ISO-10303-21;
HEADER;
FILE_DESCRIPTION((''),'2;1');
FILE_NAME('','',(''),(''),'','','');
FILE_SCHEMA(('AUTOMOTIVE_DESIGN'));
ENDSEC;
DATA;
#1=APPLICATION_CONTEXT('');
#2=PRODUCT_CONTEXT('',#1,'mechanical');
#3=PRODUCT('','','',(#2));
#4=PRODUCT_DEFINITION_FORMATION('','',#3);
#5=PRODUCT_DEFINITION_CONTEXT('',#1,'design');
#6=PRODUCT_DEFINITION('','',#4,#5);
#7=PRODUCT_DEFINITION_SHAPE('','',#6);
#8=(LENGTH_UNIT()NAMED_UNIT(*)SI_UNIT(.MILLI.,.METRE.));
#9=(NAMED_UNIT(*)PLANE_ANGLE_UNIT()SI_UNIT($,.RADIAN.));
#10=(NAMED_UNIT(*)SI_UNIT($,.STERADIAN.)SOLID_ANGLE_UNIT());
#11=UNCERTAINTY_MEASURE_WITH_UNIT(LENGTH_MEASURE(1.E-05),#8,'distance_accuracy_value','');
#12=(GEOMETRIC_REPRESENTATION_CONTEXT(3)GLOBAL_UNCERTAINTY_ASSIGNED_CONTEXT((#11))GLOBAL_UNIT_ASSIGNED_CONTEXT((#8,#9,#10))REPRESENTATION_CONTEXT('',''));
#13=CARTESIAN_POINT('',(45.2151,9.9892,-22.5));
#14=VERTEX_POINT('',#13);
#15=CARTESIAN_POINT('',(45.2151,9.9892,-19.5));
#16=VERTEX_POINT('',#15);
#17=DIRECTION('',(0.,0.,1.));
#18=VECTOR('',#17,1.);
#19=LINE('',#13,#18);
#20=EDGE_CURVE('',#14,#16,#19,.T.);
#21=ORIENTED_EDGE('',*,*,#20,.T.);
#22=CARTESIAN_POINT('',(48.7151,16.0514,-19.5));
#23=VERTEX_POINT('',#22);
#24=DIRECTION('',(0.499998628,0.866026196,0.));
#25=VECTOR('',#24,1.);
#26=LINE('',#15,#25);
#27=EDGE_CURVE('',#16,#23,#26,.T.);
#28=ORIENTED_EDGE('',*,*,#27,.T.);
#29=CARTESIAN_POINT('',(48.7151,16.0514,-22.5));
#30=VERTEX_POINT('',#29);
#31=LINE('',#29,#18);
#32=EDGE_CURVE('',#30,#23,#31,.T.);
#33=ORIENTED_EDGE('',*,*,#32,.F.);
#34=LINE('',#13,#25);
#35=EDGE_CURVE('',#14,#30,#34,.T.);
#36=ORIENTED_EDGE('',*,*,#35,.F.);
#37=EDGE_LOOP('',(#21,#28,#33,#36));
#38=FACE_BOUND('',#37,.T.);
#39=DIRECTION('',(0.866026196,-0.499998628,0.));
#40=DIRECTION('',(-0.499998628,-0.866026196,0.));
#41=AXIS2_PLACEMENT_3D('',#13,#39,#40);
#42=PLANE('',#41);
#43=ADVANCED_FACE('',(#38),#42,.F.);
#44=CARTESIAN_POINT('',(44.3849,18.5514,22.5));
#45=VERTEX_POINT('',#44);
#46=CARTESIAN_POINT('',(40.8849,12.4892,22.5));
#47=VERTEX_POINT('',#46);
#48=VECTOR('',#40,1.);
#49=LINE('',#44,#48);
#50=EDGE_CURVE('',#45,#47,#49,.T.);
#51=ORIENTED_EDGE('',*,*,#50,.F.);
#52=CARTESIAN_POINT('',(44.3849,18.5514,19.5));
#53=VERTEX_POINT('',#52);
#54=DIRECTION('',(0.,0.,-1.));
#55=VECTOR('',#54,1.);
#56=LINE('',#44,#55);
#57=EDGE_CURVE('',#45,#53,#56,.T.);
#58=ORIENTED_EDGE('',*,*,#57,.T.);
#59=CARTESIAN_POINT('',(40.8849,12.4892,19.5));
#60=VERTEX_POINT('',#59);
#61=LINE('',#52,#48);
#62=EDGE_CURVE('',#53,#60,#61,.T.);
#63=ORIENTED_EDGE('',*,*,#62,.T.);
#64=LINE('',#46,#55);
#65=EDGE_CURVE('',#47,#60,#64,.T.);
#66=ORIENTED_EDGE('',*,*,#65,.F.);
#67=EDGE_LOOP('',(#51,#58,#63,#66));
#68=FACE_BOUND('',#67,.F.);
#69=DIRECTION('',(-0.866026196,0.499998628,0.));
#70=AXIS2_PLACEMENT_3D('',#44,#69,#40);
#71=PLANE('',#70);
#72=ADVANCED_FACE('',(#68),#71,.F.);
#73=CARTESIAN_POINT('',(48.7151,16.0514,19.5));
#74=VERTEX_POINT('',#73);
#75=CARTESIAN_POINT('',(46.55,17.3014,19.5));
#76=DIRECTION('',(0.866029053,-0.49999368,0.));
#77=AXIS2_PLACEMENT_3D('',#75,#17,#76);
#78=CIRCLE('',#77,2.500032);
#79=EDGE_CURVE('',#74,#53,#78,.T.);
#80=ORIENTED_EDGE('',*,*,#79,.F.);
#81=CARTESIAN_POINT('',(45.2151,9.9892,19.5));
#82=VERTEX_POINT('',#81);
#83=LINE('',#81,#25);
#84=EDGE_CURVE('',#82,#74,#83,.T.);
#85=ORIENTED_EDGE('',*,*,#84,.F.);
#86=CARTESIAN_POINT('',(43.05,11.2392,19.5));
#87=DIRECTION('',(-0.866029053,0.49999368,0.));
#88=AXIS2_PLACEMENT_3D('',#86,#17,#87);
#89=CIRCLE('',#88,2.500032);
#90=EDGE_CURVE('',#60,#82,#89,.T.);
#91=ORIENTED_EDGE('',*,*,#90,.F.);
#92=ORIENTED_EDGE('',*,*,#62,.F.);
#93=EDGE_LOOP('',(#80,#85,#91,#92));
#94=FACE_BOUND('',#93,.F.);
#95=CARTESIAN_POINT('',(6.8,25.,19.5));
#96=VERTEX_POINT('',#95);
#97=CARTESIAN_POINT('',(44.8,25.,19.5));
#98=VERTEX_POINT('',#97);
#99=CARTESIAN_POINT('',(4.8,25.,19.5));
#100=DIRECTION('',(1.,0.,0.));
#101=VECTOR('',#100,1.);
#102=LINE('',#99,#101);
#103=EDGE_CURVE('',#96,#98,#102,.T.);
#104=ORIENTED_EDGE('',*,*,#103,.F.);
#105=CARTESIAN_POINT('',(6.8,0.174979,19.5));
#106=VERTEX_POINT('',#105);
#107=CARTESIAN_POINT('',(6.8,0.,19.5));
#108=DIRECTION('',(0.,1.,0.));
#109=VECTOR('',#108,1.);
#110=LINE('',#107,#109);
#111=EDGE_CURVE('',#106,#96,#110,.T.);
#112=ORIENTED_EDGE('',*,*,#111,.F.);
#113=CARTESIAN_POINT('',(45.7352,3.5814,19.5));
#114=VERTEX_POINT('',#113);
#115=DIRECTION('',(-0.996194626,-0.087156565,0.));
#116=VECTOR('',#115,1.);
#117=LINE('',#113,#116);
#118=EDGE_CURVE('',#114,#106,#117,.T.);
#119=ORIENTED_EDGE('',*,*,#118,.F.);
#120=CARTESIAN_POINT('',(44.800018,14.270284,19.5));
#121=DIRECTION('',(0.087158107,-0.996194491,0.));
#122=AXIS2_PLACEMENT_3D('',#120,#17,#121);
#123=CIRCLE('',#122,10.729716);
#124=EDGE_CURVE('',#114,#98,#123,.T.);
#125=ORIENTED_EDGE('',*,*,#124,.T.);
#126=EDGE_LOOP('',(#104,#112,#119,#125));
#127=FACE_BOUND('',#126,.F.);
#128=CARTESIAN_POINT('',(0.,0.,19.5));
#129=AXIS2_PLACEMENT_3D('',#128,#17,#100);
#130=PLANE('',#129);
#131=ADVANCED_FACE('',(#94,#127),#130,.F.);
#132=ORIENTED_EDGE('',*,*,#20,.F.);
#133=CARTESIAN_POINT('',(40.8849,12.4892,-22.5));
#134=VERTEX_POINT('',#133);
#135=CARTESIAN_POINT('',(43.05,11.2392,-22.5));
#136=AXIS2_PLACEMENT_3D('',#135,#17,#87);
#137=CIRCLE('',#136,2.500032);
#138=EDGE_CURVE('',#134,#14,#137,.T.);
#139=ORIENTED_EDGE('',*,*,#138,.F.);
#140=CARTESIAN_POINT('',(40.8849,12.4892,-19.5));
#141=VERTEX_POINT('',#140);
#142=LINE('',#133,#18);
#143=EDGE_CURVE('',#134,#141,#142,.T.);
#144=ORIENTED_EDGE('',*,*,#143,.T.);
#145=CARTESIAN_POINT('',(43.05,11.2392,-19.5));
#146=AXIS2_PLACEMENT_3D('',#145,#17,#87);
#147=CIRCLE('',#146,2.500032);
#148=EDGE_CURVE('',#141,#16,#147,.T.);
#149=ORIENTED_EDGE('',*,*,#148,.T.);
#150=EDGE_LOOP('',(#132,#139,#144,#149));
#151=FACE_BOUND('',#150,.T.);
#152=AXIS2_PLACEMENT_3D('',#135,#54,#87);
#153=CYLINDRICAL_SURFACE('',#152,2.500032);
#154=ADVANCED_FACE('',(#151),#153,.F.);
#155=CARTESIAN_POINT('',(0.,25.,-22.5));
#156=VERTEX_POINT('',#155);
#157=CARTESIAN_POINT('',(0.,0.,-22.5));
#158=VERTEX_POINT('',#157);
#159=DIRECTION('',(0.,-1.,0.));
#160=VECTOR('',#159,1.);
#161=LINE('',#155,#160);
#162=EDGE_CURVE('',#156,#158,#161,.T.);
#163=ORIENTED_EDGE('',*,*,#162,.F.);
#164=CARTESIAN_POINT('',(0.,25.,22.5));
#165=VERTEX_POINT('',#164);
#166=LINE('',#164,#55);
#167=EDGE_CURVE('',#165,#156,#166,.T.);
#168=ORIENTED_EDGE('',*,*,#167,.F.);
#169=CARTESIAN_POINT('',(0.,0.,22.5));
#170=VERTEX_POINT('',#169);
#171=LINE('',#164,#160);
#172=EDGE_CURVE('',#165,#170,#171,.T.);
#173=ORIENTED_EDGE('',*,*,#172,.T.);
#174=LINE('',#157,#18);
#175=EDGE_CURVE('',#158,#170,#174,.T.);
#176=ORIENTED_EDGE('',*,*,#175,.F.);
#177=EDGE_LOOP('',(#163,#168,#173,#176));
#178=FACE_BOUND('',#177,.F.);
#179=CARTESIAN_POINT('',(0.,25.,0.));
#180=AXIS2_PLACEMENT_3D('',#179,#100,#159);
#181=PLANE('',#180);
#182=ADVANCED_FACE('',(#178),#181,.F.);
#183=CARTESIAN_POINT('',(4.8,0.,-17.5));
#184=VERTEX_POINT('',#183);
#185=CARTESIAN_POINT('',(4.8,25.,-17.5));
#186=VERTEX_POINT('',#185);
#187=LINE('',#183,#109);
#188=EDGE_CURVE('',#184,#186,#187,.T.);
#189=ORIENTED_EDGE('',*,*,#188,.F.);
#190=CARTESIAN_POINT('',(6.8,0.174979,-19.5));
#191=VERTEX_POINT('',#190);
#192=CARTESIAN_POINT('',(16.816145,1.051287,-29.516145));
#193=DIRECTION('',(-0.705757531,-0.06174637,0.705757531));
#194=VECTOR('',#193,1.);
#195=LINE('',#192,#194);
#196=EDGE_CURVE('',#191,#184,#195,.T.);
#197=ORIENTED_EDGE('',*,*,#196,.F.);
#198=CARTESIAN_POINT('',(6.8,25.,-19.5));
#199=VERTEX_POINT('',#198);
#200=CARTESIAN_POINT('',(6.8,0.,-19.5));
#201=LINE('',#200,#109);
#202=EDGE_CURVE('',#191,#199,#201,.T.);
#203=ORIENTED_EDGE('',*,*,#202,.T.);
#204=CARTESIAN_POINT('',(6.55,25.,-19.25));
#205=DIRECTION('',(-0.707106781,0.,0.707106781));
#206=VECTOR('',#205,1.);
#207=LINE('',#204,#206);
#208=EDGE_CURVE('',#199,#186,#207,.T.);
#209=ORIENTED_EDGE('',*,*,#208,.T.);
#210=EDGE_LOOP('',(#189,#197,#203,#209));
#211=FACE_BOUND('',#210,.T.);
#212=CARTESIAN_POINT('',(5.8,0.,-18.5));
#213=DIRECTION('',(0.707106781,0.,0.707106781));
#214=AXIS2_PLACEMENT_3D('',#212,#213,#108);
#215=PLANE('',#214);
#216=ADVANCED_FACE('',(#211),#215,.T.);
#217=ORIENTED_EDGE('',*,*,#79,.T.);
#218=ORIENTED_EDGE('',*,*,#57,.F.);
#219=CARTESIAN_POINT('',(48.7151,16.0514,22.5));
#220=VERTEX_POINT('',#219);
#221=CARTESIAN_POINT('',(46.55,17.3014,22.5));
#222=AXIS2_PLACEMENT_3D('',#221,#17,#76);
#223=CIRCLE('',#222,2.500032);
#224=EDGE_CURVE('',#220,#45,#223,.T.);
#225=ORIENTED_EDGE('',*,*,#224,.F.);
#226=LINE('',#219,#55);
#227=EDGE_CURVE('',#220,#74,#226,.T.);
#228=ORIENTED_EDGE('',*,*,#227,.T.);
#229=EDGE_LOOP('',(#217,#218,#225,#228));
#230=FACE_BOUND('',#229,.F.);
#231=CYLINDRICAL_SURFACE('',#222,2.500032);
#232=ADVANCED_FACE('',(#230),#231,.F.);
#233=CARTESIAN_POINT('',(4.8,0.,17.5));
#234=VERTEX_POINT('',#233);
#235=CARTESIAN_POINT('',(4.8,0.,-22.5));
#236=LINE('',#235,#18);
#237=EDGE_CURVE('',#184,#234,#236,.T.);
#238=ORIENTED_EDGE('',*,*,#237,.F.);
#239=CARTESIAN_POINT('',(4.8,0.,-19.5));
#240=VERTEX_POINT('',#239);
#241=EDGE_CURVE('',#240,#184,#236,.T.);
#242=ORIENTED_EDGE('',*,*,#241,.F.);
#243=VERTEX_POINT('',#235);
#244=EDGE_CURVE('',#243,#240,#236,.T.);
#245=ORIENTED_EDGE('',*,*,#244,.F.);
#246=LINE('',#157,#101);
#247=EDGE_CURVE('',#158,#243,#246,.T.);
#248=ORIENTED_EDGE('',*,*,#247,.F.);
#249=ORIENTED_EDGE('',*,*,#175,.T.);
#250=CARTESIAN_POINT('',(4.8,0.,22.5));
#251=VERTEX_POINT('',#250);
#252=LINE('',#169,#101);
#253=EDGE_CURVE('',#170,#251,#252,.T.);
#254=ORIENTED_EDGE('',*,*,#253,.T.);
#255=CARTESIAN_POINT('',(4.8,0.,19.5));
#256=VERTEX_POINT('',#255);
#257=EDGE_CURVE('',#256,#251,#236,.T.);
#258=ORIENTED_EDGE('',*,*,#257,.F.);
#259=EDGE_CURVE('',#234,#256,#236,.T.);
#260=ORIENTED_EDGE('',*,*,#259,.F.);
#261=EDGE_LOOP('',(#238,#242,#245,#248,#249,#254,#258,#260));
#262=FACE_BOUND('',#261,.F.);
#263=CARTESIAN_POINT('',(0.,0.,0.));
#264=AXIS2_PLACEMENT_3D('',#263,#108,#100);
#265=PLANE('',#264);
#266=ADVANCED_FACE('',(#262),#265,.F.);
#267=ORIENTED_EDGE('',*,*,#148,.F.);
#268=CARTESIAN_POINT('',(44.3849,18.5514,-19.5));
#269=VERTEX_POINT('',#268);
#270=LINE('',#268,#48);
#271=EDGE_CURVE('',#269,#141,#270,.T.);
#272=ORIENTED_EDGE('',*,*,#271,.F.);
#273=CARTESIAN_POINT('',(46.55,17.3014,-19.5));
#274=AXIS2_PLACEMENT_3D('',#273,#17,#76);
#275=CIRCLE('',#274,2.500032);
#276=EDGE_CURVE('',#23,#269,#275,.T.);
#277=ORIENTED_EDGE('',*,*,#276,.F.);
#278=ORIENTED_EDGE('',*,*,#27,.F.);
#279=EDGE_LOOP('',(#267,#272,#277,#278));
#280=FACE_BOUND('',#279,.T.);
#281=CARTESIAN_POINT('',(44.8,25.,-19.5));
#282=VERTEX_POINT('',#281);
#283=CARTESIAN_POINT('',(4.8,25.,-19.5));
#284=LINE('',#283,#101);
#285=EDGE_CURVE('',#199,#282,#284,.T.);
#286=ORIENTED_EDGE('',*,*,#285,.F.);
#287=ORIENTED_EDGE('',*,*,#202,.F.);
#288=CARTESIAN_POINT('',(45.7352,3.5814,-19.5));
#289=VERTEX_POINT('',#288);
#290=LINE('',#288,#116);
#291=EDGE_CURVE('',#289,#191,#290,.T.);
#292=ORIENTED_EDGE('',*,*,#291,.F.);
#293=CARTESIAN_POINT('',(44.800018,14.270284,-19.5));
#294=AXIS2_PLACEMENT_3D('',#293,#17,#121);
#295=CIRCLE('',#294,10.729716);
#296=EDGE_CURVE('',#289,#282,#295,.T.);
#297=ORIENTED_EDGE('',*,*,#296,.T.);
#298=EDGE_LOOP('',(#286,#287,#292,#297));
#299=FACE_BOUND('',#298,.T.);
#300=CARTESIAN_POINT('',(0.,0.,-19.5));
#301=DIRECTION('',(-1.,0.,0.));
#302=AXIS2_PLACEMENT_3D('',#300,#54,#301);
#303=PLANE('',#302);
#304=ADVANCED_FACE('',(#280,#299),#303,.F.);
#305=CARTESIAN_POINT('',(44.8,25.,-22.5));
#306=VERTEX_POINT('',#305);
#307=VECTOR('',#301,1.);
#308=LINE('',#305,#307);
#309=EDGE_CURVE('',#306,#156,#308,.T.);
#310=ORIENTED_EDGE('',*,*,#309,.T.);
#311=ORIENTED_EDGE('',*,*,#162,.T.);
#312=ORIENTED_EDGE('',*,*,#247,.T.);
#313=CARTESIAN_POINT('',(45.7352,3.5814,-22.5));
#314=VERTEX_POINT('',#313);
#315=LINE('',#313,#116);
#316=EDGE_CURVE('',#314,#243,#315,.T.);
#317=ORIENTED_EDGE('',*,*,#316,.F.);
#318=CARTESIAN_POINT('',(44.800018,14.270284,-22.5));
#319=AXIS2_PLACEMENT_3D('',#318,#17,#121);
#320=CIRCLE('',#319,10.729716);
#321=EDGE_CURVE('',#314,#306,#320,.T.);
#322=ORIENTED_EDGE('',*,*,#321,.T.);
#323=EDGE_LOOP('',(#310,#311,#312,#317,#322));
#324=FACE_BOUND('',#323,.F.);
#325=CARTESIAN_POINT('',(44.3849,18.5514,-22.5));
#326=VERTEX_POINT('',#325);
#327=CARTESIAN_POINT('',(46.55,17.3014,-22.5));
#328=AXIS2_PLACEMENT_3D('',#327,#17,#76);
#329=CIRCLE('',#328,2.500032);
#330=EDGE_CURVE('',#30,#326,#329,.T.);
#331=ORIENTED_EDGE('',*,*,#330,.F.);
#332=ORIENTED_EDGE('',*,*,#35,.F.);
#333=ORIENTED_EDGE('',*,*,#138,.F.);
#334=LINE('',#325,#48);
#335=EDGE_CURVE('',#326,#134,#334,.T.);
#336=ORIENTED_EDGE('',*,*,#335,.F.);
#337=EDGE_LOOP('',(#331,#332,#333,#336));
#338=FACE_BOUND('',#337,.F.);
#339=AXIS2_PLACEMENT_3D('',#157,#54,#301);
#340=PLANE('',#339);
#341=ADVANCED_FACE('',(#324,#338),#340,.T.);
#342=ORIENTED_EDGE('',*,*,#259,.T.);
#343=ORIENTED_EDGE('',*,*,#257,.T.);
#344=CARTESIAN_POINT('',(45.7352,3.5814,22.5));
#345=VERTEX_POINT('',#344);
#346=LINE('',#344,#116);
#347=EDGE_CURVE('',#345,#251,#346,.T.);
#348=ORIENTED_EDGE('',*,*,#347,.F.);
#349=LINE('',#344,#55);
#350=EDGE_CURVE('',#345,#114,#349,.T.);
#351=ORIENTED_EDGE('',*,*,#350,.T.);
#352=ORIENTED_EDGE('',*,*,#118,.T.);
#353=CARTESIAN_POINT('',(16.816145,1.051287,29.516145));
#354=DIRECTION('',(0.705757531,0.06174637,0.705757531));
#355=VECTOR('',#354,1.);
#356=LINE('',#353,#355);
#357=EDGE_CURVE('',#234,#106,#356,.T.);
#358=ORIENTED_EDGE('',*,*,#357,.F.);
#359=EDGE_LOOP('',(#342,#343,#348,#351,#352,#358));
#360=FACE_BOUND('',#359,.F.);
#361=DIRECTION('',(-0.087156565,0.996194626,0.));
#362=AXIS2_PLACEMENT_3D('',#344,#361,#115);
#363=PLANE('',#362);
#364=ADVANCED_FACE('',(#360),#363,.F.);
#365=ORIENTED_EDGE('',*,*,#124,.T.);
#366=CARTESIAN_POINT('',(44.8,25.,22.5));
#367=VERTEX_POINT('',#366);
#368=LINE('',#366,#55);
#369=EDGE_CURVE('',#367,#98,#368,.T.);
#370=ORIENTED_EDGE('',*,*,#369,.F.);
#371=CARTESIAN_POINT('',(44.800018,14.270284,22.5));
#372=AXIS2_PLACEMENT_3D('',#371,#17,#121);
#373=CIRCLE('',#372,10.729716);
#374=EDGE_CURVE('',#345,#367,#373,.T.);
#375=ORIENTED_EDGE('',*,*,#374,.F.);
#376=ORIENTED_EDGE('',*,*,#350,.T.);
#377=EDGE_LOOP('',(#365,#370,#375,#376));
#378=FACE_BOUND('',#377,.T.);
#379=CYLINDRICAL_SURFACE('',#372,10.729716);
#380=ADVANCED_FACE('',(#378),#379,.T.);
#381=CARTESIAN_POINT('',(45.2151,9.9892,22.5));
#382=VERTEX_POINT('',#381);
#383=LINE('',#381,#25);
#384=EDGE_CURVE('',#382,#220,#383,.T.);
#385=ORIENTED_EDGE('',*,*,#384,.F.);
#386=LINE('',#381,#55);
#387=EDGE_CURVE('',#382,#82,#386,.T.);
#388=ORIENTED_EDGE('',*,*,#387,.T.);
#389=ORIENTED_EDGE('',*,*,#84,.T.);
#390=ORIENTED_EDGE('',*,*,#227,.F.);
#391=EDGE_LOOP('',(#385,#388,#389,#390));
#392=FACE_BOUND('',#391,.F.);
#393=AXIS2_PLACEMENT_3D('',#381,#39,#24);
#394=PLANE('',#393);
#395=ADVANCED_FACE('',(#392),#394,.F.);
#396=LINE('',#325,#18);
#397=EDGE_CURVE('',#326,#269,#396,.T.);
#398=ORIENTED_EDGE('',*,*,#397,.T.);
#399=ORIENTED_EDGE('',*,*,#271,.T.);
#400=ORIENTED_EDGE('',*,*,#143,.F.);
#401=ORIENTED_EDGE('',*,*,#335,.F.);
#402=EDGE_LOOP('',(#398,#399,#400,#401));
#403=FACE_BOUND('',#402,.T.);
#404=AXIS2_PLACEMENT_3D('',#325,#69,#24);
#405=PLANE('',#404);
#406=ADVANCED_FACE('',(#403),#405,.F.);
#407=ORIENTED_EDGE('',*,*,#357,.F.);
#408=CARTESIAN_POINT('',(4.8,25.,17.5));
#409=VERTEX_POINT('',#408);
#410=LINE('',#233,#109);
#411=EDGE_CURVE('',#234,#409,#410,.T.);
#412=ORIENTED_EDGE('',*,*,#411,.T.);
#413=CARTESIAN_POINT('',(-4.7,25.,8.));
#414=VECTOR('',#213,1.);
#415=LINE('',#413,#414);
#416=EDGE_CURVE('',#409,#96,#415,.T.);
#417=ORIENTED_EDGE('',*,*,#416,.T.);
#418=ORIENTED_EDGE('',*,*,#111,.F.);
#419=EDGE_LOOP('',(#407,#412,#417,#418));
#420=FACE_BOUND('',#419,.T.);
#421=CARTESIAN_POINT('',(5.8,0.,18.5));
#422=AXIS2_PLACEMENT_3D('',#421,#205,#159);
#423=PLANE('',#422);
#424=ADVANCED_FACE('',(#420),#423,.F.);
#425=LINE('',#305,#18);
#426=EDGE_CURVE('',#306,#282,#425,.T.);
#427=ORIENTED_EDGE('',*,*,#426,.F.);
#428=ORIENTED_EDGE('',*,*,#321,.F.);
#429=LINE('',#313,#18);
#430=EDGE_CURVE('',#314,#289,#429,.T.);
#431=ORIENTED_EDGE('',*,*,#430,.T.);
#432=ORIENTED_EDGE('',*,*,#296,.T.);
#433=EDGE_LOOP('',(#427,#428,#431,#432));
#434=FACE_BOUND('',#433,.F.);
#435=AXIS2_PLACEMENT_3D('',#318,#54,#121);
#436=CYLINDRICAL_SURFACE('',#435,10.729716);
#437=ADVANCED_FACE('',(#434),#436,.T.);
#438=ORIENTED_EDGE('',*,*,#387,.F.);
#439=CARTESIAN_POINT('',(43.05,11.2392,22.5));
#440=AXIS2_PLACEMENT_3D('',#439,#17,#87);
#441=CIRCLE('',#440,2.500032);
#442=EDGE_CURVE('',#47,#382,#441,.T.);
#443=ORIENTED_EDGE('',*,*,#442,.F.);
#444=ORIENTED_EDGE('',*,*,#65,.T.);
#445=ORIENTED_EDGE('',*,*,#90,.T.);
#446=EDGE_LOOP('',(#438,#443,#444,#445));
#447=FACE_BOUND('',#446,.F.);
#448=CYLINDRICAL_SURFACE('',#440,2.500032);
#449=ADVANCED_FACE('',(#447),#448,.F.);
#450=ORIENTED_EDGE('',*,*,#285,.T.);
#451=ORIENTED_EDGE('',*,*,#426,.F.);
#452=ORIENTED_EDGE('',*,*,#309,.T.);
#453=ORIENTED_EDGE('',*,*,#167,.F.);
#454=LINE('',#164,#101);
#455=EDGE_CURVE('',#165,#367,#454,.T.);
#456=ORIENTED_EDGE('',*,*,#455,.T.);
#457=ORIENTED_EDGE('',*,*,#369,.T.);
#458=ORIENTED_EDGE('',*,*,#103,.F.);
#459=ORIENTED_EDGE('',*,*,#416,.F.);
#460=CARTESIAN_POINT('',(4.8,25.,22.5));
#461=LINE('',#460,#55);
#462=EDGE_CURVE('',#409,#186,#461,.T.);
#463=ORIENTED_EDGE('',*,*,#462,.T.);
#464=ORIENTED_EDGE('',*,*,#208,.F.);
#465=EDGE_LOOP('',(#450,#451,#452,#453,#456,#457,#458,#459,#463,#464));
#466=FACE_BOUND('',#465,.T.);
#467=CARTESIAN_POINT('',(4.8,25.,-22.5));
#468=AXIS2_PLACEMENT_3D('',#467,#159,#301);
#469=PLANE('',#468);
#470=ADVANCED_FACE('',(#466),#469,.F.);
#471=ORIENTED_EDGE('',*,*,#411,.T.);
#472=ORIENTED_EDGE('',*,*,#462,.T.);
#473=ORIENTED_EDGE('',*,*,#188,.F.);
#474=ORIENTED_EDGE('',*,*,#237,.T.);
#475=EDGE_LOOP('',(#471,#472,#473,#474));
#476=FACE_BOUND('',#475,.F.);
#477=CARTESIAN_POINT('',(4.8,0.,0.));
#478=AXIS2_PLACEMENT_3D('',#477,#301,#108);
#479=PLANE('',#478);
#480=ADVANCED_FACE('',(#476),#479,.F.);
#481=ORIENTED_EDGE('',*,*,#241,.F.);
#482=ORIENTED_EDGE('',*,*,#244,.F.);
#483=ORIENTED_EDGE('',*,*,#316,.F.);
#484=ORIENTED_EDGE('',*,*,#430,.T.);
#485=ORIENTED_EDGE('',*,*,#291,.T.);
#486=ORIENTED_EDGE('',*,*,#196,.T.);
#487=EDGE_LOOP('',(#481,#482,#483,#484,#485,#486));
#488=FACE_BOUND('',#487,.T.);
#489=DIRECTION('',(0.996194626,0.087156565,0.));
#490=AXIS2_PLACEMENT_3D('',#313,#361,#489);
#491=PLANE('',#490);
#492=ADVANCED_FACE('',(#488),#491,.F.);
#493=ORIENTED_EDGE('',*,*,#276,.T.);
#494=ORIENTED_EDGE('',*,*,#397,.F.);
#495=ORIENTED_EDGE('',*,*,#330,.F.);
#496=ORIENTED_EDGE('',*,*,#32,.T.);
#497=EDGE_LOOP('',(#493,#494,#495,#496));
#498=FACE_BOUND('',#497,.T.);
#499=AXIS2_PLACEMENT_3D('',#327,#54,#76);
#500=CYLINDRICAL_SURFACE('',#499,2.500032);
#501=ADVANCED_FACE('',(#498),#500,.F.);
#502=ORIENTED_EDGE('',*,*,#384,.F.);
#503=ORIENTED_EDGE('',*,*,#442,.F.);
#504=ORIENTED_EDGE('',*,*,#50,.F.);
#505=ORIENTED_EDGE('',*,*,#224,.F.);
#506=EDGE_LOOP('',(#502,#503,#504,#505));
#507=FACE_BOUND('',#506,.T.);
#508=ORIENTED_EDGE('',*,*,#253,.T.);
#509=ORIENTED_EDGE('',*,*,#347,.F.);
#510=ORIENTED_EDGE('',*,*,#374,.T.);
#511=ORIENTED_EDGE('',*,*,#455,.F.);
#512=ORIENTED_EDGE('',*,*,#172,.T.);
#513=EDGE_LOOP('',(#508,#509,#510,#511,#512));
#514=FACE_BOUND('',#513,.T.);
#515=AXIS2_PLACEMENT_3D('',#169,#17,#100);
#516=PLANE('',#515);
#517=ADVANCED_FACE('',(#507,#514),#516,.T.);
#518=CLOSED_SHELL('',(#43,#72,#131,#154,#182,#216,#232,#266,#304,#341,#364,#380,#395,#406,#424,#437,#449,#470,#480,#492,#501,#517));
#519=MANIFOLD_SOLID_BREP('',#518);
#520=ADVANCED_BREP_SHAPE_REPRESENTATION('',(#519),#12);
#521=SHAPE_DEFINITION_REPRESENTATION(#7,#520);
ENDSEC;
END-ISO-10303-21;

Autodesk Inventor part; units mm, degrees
ref_plane "YZ Plane" through (0, 0, 0) normal (1, 0, 0) x (0, 1, 0)
ref_plane "XZ Plane" through (0, 0, 0) normal (0, 1, 0) x (-1, 0, 0)
ref_plane "XY Plane" through (0, 0, 0) normal (0, 0, 1) x (1, 0, 0)
sketch "Sketch2" plane through (0, 0, 0) normal (0, 0, 1) x (1, 0, 0)
  line L0 (0, 0) -> (4.8, 0)
  line L1 (4.8, 0) -> (4.8, 25)
  line L2 (4.8, 25) -> (0, 25)
  line L3 (0, 25) -> (0, 0)
  dimension "d11" = 25
  dimension "d12" = 4.8
extrude "Extrusion2" add sketch "Sketch2" along normal mid plane 45
sketch "Sketch3" plane through (0, 0, 22.5) normal (0, 0, 1) x (1, 0, 0)
  line L0 (4.8, 0) -> (4.8, 25) projected
  line L1 (4.8, 25) -> (44.8, 25)
  line L2 (44.8, 25) -> (45.7352, 3.5814) construction
  line L3 (45.7352, 3.5814) -> (4.8, 0)
  arc A0 (45.7352, 3.5814) -> (44.8, 25) centre (44.8, 14.2703) ccw
  line L4 (46.55, 17.3014) -> (43.05, 11.2392) construction
  line L5 (44.3849, 18.5514) -> (40.8849, 12.4892)
  line L6 (45.2151, 9.9892) -> (48.7151, 16.0514)
  arc A1 (48.7151, 16.0514) -> (44.3849, 18.5514) centre (46.55, 17.3014) ccw
  arc A2 (40.8849, 12.4892) -> (45.2151, 9.9892) centre (43.05, 11.2392) ccw
  point P0 (0, 0)
  dimension "d15" = 40
  dimension "d16" = 85
  dimension "d17" = 5
  dimension "d18" = 7
  dimension "d19" = 30
extrude "Extrusion3" add sketch "Sketch3" against normal blind 3
mirror "Mirror1" about plane through (0, 0, 0) normal (0, 0, 1) of "Extrusion3"
chamfer "Chamfer1" distance 2 angle 45 2 edges at (4.8, 12.5, 19.5) (4.8, 12.5, -19.5)
properties part number "Solder Roll Support 2" material "SAE 1020"
